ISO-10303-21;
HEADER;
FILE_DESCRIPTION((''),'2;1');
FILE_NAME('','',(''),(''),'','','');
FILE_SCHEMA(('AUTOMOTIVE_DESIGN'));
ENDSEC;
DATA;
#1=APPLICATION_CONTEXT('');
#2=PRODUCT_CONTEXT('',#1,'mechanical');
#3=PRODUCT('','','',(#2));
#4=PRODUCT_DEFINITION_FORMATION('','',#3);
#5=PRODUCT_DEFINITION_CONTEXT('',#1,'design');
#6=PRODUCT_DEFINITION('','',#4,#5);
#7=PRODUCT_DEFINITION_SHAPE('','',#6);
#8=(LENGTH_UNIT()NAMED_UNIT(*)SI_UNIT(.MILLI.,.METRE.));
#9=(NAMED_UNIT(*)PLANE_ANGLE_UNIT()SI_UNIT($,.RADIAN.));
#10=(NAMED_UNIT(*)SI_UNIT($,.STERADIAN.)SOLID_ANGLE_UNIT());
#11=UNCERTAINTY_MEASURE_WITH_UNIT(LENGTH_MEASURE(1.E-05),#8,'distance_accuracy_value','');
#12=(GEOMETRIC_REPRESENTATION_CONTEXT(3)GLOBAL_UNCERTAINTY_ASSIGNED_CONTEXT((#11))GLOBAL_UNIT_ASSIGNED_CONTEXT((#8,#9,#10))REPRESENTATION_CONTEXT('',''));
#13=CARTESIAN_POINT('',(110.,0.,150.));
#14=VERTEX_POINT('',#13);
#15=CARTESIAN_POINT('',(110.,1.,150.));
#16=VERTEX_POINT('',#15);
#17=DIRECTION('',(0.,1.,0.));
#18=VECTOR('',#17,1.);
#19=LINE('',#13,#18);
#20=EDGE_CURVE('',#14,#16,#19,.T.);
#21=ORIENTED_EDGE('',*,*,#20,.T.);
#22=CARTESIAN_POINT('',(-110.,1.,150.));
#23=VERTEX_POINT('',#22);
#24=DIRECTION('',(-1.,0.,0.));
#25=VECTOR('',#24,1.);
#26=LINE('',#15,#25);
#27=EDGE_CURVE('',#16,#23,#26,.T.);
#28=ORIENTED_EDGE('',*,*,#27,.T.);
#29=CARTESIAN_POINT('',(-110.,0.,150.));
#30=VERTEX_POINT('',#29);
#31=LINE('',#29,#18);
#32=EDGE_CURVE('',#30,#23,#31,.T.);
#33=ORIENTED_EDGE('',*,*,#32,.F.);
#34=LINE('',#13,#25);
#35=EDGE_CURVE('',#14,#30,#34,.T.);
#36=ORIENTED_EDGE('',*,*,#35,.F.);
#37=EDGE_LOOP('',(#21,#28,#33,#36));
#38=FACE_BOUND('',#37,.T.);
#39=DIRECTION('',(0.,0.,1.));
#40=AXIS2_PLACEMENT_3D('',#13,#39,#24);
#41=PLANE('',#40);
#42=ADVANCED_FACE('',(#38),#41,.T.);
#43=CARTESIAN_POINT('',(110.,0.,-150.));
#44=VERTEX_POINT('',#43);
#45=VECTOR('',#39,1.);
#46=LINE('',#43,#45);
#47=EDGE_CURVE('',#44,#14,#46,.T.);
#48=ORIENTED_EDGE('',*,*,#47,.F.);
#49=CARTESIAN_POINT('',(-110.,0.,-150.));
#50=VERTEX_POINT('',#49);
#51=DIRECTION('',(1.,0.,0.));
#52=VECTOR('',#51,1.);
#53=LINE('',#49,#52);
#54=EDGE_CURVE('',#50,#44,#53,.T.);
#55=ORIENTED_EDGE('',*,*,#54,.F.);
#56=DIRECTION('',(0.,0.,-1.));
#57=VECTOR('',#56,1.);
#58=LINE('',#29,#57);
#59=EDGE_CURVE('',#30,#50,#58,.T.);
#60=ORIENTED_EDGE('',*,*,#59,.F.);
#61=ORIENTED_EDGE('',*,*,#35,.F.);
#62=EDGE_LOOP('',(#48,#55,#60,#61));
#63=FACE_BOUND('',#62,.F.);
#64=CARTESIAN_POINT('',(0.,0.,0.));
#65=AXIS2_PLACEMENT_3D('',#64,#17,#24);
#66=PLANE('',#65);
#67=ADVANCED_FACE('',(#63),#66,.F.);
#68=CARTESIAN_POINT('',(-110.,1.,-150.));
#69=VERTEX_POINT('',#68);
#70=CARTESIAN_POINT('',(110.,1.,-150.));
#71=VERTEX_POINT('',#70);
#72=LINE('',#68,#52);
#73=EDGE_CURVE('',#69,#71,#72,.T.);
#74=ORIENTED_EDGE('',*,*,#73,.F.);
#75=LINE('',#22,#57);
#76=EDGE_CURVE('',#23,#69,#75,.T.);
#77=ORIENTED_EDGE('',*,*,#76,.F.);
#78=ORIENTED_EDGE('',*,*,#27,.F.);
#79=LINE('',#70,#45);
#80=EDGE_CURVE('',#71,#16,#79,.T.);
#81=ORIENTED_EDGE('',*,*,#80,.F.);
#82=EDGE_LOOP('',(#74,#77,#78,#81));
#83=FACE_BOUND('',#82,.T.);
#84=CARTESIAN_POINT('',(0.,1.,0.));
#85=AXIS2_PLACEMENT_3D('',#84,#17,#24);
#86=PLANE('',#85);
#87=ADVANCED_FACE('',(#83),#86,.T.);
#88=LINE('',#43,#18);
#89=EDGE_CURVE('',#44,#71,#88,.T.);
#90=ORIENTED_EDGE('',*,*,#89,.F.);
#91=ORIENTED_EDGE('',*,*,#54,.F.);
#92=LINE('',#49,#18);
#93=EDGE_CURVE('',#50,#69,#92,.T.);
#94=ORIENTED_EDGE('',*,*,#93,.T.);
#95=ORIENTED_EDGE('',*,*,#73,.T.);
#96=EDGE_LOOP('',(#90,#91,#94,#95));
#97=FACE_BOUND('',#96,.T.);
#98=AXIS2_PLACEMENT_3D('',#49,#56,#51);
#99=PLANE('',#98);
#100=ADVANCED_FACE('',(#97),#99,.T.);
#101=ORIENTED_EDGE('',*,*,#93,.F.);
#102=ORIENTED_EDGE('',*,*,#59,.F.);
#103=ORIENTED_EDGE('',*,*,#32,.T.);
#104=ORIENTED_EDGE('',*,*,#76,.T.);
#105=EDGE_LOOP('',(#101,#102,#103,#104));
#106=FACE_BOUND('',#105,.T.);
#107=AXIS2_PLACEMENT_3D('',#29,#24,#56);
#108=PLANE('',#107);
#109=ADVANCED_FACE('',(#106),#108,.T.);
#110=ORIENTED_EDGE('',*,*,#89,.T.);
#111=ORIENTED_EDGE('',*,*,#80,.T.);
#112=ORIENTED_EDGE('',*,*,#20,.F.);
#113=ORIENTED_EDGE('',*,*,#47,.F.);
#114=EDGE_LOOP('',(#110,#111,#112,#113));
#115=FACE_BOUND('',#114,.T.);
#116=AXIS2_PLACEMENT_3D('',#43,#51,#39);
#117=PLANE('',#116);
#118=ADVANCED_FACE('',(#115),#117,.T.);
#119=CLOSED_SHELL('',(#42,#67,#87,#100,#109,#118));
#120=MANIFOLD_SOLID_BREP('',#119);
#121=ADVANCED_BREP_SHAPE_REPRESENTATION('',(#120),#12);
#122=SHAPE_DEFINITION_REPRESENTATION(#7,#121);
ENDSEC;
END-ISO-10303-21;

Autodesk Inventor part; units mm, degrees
ref_plane "YZ Plane" through (0, 0, 0) normal (1, 0, 0) x (0, 1, 0)
ref_plane "XZ Plane" through (0, 0, 0) normal (0, 1, 0) x (-1, 0, 0)
ref_plane "XY Plane" through (0, 0, 0) normal (0, 0, 1) x (1, 0, 0)
sketch "Esquisse1" plane through (0, 0, 0) normal (0, 1, 0) x (-1, 0, 0)
  line L0 (-110, 150) -> (110, 150)
  line L1 (110, 150) -> (110, -150)
  line L2 (110, -150) -> (-110, -150)
  line L3 (-110, -150) -> (-110, 150)
  line L4 (-110, 150) -> (110, -150) construction
  line L5 (110, 150) -> (-110, -150) construction
  point P0 (0, 0)
  dimension "d0" = 220
  dimension "d1" = 300
extrude "Extrusion1" add sketch "Esquisse1" along normal blind 1
properties part number "aile"
